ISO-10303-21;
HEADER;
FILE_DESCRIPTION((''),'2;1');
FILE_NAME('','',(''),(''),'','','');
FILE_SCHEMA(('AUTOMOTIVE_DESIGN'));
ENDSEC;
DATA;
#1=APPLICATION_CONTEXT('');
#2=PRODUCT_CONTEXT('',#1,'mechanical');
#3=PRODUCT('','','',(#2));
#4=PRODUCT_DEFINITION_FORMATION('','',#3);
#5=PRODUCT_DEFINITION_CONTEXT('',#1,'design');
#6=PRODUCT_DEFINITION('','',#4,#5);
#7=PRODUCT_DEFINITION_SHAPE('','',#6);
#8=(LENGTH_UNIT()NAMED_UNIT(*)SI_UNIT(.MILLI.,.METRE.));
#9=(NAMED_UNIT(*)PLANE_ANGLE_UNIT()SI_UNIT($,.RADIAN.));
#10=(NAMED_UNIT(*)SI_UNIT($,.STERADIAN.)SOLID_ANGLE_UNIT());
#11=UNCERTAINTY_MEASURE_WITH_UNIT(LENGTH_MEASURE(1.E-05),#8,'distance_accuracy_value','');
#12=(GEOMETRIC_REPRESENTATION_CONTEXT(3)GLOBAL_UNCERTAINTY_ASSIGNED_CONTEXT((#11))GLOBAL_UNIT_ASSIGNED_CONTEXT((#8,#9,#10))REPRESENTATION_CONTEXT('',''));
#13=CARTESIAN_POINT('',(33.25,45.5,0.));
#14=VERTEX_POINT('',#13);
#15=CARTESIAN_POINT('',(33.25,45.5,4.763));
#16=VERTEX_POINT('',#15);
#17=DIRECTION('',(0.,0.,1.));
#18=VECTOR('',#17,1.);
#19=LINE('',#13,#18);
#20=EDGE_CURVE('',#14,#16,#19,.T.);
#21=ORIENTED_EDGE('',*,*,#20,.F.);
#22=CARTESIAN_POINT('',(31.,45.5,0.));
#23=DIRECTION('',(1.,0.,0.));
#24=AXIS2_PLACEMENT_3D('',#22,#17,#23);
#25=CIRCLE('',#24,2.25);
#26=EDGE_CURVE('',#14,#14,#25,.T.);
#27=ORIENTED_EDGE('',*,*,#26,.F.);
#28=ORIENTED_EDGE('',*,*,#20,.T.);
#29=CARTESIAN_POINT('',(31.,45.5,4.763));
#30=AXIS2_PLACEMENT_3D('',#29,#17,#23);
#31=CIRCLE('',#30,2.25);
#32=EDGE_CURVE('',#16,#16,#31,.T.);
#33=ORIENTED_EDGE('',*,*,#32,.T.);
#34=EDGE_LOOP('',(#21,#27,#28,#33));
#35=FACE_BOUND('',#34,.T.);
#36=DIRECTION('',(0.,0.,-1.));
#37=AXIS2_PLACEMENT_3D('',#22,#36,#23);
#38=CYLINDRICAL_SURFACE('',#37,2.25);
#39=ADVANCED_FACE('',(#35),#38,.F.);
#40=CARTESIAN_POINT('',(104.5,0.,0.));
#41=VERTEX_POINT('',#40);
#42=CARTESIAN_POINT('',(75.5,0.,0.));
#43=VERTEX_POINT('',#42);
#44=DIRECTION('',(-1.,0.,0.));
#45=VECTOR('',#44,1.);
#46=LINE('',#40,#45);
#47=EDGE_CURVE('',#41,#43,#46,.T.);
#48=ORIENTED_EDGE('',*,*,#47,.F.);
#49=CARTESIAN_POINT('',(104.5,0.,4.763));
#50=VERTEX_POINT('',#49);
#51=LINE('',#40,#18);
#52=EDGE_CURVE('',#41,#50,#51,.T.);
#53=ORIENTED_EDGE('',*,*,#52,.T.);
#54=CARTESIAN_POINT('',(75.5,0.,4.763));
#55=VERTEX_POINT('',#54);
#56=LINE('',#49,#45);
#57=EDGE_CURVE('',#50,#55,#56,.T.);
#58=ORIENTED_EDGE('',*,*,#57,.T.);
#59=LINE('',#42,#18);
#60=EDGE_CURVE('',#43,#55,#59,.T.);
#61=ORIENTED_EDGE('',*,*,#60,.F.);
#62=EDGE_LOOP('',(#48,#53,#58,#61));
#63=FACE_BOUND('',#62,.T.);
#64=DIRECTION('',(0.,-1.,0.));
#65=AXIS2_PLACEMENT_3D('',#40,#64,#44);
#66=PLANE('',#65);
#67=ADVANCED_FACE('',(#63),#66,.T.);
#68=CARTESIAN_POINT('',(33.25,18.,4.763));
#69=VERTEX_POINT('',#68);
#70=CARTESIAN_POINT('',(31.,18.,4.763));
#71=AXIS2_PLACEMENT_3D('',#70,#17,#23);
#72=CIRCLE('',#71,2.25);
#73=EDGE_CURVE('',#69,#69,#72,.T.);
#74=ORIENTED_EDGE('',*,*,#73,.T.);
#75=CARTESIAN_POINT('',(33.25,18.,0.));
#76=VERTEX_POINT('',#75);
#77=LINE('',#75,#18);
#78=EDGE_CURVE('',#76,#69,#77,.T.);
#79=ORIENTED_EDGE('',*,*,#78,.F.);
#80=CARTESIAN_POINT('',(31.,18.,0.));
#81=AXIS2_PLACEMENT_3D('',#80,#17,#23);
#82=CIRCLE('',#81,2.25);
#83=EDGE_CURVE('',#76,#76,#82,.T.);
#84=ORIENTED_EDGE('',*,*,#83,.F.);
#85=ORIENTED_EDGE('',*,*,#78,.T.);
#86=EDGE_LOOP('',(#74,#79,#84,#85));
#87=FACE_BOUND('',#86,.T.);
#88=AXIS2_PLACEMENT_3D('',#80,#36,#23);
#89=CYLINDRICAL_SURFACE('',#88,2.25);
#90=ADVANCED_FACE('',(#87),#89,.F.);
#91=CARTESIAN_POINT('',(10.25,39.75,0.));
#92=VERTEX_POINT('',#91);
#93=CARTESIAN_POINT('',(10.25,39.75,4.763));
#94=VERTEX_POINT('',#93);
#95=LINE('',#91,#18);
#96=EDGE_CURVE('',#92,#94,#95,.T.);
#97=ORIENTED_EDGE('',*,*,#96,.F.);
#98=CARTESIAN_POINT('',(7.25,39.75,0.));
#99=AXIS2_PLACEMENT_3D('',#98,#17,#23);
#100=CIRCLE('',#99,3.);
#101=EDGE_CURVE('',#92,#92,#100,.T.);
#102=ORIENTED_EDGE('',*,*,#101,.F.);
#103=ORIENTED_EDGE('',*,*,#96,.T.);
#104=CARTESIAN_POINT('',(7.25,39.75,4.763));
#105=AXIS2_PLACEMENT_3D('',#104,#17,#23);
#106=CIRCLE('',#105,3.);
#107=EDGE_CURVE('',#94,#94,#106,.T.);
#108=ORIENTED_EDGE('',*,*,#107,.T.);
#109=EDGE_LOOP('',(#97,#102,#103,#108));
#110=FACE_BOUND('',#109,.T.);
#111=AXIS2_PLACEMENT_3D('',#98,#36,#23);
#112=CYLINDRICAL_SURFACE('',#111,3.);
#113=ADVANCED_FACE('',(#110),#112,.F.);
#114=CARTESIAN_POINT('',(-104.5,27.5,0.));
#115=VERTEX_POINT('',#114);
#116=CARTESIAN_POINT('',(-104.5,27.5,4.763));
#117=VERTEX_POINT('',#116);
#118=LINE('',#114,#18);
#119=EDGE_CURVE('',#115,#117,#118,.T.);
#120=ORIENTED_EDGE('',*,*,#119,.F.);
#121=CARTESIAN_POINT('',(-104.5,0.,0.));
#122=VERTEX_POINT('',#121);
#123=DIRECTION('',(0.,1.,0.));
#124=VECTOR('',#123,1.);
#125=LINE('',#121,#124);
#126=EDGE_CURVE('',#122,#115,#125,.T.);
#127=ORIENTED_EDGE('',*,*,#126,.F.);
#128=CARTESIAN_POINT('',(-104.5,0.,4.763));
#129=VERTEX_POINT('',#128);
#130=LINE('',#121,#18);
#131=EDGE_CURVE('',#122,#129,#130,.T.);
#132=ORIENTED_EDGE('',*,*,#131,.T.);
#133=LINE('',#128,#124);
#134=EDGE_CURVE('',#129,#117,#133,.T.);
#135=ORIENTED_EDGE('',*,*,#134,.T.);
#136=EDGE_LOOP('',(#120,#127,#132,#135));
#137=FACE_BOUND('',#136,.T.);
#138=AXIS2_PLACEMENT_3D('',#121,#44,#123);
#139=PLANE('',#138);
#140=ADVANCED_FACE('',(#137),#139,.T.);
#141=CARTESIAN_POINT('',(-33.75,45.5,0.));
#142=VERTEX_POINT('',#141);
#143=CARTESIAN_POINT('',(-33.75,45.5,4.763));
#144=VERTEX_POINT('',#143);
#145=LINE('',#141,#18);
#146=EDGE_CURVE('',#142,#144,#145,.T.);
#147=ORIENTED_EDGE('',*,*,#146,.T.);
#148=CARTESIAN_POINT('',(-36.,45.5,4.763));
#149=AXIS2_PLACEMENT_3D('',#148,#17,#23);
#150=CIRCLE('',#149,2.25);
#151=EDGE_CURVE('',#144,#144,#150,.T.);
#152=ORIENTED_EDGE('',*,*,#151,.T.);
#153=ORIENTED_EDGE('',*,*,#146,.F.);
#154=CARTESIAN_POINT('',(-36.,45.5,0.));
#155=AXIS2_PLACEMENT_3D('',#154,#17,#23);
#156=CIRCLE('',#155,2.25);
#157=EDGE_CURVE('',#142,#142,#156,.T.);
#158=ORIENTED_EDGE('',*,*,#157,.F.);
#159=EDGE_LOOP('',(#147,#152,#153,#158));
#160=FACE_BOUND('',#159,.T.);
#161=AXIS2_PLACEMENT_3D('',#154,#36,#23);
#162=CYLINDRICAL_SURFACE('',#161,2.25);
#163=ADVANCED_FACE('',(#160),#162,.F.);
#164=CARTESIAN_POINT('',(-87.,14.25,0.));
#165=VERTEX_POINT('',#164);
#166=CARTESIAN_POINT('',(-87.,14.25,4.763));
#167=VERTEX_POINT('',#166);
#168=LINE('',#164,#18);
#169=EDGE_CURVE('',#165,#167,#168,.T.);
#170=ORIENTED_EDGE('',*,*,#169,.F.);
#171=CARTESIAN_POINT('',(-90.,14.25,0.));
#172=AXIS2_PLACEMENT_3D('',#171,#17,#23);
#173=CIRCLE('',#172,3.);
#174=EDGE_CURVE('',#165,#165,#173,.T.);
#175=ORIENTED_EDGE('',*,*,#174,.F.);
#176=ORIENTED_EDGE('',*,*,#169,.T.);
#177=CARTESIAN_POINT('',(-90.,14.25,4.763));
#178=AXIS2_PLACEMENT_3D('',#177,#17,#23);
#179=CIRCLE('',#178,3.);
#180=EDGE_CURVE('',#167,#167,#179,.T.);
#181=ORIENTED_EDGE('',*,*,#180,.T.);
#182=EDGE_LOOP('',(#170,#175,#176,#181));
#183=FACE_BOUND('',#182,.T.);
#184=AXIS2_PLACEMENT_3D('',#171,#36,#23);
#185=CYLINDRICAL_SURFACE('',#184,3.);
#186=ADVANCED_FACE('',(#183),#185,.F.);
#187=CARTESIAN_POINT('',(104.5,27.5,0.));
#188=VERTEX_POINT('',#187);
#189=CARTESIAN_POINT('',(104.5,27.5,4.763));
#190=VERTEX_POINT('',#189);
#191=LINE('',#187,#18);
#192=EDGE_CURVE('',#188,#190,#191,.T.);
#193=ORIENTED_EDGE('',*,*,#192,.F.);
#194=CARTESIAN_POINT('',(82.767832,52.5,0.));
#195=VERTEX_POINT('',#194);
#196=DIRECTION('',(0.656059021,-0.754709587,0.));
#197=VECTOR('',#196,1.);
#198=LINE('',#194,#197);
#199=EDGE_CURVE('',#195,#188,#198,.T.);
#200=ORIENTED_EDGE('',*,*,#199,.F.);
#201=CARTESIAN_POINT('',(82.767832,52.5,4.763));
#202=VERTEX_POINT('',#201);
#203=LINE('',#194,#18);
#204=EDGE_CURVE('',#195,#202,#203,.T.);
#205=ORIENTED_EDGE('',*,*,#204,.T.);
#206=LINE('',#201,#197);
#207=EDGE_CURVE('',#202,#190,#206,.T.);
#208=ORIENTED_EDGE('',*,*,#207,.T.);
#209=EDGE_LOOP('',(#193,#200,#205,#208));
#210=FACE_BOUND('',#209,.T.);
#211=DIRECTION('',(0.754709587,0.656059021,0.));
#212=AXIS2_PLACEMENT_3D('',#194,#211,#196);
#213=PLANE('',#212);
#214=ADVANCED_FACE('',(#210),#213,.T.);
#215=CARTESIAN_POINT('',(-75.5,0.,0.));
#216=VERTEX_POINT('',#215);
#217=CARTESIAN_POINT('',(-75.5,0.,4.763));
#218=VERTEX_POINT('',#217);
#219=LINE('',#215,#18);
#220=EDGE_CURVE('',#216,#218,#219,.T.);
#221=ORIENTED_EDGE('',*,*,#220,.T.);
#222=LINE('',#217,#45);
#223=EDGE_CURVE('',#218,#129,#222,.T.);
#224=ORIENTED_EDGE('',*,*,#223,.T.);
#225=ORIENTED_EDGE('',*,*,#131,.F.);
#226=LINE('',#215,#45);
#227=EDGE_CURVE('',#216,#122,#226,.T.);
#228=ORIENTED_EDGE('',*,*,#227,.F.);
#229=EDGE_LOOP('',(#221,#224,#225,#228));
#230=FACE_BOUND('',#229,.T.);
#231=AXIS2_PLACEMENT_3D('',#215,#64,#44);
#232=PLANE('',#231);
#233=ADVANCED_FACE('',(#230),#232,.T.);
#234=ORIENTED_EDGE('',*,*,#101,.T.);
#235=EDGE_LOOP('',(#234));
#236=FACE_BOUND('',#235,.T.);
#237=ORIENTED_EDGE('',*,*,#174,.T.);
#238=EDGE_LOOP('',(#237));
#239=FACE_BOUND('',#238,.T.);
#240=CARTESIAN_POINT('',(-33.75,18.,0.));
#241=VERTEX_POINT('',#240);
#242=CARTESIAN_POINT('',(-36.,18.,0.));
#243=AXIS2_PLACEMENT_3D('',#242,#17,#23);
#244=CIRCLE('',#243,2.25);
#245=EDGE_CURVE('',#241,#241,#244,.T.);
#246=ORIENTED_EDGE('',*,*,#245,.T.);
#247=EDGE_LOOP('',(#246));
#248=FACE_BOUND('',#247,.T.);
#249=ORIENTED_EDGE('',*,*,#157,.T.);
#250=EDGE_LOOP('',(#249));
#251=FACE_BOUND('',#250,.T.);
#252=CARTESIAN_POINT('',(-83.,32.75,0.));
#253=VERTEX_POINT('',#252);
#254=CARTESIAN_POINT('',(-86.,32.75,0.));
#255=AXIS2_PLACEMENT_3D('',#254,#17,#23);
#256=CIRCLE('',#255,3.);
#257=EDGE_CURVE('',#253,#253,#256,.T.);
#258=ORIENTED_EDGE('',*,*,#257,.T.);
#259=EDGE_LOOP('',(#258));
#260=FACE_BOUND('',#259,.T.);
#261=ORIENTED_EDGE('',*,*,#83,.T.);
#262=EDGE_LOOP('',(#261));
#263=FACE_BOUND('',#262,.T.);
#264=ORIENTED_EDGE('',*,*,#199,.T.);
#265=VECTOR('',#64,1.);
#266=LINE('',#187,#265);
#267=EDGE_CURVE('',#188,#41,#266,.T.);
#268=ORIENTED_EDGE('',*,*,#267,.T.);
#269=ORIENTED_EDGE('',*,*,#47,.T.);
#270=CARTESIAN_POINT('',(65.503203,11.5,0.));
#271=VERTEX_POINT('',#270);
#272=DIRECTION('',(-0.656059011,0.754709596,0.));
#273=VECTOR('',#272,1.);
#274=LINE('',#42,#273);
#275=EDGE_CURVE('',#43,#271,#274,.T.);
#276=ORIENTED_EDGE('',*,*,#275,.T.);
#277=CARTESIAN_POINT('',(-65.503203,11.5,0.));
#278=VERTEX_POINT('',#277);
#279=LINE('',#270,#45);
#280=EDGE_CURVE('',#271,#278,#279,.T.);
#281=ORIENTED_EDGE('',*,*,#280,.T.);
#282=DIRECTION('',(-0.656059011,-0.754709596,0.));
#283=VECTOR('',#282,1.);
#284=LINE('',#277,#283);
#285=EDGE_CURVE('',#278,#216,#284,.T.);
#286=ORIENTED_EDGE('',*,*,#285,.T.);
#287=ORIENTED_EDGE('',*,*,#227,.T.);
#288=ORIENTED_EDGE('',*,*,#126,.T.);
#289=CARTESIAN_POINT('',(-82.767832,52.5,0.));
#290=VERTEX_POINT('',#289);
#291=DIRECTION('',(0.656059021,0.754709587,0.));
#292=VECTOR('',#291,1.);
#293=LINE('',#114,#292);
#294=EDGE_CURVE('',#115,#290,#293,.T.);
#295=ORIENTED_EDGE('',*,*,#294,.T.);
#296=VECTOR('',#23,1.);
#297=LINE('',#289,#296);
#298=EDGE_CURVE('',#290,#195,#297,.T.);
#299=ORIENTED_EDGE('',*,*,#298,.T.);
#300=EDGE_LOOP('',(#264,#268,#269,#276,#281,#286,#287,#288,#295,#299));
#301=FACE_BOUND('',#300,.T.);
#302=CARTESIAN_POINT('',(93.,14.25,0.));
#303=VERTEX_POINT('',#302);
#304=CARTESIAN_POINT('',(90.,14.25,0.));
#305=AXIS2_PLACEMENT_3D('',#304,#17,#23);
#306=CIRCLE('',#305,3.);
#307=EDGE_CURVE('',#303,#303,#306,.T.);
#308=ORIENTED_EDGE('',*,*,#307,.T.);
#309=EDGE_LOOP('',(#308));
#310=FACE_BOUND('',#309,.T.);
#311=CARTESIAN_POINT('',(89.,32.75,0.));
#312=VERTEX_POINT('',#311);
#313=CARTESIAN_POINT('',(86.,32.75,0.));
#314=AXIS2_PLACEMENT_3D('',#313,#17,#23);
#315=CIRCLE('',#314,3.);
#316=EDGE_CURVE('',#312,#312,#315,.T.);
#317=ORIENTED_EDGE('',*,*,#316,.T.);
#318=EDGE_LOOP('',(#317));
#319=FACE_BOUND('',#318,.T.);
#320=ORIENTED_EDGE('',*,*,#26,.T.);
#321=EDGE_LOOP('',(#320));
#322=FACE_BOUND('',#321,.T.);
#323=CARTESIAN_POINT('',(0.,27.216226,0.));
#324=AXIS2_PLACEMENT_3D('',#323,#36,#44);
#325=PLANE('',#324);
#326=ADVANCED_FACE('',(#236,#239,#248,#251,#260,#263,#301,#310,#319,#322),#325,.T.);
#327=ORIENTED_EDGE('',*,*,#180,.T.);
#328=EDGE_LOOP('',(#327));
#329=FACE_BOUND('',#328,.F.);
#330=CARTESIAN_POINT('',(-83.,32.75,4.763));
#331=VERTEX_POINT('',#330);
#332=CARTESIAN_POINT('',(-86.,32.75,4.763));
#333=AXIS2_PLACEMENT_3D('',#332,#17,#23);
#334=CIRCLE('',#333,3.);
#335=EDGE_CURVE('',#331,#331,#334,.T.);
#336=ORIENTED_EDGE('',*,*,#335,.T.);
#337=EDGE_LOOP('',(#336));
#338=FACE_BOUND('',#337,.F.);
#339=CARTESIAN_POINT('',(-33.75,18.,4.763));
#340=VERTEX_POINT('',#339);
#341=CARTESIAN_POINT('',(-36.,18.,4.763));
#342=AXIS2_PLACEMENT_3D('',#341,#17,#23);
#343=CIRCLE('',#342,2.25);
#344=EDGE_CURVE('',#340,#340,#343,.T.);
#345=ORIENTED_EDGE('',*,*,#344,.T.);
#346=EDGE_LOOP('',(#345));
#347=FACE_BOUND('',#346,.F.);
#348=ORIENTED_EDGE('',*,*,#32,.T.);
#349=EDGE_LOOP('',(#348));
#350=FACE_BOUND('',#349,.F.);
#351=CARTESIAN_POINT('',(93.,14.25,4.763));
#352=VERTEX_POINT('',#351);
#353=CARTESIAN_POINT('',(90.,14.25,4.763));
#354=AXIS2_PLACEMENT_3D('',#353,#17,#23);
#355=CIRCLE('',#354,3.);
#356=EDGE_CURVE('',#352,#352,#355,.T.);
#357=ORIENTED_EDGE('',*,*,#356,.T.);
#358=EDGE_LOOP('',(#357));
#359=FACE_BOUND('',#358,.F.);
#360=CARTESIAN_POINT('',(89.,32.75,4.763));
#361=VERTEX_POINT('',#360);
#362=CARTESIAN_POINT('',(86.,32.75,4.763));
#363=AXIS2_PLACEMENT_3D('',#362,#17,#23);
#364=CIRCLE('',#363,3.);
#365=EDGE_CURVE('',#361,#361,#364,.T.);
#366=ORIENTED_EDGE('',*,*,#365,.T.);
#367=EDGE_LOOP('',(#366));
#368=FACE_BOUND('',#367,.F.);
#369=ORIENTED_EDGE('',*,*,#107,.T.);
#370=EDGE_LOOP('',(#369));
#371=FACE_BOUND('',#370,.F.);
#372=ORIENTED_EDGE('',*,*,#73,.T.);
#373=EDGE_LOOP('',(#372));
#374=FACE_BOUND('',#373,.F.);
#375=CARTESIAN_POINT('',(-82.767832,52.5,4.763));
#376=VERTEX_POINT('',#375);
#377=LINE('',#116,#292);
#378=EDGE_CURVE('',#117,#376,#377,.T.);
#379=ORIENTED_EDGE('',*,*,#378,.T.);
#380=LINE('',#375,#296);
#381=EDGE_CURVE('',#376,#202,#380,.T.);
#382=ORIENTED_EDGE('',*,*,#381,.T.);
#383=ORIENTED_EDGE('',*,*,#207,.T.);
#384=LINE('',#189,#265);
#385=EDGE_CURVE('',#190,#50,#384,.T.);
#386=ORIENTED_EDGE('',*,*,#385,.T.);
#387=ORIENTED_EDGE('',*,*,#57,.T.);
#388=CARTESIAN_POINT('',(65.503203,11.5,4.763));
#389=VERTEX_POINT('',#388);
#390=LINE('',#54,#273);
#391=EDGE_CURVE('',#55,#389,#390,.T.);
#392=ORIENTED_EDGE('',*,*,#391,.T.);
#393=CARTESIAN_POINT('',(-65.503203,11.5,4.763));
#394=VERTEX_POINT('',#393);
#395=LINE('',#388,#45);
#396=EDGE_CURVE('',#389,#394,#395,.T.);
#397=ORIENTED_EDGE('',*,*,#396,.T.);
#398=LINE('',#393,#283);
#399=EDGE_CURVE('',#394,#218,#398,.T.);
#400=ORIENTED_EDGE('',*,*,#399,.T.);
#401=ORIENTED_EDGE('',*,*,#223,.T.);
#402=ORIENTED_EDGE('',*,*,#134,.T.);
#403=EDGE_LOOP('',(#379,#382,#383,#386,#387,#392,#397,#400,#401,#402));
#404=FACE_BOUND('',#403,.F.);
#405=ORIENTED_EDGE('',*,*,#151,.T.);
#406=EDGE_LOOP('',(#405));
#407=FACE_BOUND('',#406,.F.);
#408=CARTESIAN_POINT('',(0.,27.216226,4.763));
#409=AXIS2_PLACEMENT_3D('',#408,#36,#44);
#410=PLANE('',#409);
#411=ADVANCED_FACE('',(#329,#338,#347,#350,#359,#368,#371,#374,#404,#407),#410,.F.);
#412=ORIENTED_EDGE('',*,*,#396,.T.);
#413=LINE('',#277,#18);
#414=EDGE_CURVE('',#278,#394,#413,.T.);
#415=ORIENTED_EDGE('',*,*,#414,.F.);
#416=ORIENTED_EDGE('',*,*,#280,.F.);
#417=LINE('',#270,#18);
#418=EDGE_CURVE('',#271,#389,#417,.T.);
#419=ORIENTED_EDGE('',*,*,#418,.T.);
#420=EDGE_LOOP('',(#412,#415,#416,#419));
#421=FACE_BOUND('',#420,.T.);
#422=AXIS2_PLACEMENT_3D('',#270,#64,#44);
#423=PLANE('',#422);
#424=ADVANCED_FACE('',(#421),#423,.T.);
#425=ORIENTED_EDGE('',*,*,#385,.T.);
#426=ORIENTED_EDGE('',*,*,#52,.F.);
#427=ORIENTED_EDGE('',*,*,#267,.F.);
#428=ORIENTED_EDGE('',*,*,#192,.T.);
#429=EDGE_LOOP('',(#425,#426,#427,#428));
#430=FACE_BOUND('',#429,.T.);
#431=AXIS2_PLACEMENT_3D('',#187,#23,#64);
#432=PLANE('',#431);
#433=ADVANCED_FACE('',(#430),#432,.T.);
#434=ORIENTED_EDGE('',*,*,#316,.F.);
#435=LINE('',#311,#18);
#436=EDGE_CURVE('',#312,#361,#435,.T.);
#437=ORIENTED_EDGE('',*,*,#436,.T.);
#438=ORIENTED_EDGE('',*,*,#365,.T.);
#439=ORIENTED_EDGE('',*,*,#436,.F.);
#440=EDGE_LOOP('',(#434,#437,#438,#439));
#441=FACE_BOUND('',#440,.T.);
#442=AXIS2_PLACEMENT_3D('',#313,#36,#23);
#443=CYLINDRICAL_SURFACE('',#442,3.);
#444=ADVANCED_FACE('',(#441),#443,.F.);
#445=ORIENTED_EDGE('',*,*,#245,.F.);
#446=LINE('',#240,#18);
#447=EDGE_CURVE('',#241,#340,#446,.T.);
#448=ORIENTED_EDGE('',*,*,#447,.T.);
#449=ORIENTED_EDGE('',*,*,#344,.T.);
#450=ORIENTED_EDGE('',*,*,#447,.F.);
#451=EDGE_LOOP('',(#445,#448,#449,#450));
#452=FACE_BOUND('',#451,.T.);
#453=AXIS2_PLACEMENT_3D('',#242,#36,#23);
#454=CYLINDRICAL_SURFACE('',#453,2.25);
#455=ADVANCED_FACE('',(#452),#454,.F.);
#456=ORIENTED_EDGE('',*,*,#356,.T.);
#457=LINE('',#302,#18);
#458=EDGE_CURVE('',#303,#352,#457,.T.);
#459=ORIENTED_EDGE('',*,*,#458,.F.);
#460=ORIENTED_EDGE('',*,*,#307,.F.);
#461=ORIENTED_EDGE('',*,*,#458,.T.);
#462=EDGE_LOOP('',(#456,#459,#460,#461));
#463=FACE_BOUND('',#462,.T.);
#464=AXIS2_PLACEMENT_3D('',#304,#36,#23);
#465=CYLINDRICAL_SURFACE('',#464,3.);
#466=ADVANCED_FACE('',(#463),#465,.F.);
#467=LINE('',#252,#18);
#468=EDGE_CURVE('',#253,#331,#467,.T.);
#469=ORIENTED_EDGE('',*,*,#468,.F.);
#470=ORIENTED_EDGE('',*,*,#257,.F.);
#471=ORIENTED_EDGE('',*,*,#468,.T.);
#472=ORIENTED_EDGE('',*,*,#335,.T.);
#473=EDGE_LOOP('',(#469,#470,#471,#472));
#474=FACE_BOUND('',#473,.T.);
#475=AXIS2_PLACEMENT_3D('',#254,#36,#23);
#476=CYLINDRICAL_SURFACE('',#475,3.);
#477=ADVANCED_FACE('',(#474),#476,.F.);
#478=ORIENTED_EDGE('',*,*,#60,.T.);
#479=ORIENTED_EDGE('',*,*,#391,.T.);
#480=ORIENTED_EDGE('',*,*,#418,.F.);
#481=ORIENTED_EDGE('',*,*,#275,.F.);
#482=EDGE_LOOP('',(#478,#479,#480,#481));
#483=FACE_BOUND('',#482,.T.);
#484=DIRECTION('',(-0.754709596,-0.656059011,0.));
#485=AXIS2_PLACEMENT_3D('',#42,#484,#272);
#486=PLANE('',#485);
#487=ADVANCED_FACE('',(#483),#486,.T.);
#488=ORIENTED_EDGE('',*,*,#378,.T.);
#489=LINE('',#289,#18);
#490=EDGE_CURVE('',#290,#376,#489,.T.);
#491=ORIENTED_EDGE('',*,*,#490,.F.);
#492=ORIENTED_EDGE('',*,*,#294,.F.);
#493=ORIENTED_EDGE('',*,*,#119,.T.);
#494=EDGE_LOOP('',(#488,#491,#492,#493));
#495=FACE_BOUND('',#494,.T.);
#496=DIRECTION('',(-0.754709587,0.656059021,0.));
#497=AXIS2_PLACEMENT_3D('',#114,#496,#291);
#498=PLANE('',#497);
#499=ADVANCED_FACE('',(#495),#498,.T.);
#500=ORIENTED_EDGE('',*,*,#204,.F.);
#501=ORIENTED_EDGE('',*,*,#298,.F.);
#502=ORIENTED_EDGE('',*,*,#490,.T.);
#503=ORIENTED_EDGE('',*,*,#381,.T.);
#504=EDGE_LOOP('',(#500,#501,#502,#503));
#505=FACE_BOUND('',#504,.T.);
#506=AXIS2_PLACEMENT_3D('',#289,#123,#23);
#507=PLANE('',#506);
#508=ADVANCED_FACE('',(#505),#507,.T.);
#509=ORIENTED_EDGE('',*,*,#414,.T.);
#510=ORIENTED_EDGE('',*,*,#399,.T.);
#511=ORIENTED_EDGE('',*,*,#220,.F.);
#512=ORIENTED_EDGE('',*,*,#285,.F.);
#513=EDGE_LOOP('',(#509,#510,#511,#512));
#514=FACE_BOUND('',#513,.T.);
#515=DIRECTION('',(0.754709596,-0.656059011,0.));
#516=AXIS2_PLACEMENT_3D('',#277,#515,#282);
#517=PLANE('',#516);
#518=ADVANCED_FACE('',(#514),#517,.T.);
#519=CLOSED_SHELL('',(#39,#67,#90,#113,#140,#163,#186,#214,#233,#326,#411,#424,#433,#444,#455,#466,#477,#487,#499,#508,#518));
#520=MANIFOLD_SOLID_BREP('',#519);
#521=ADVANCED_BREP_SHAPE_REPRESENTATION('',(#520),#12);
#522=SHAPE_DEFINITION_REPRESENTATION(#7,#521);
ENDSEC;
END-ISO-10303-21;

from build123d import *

# Parameters (mm, degrees)
SKETCH_R   = 3
SKETCH_R_2 = 2.25
PAD_DEPTH  = 4.763


with BuildPart() as part:
    # Sketch → Pad (new body)
    with BuildSketch(Plane.XY):
        Polygon((-104.5, 0), (-104.5, 27.5), (-82.767832, 52.5), (82.767832, 52.5), (104.5, 27.5), (104.5, 0), (75.5, 0), (65.503203, 11.5), (-65.503203, 11.5), (-75.5, 0), align=None)
        with Locations((7.25, 39.75)):
            Circle(SKETCH_R, mode=Mode.SUBTRACT)
        with Locations((86, 32.75)):
            Circle(SKETCH_R, mode=Mode.SUBTRACT)
        with Locations((90, 14.25)):
            Circle(SKETCH_R, mode=Mode.SUBTRACT)
        with Locations((-90, 14.25)):
            Circle(SKETCH_R, mode=Mode.SUBTRACT)
        with Locations((-86, 32.75)):
            Circle(SKETCH_R, mode=Mode.SUBTRACT)
        with Locations((-36, 45.5)):
            Circle(SKETCH_R_2, mode=Mode.SUBTRACT)
        with Locations((-36, 18)):
            Circle(SKETCH_R_2, mode=Mode.SUBTRACT)
        with Locations((31, 18)):
            Circle(SKETCH_R_2, mode=Mode.SUBTRACT)
        with Locations((31, 45.5)):
            Circle(SKETCH_R_2, mode=Mode.SUBTRACT)
    extrude(amount=PAD_DEPTH)


solid = part.part
